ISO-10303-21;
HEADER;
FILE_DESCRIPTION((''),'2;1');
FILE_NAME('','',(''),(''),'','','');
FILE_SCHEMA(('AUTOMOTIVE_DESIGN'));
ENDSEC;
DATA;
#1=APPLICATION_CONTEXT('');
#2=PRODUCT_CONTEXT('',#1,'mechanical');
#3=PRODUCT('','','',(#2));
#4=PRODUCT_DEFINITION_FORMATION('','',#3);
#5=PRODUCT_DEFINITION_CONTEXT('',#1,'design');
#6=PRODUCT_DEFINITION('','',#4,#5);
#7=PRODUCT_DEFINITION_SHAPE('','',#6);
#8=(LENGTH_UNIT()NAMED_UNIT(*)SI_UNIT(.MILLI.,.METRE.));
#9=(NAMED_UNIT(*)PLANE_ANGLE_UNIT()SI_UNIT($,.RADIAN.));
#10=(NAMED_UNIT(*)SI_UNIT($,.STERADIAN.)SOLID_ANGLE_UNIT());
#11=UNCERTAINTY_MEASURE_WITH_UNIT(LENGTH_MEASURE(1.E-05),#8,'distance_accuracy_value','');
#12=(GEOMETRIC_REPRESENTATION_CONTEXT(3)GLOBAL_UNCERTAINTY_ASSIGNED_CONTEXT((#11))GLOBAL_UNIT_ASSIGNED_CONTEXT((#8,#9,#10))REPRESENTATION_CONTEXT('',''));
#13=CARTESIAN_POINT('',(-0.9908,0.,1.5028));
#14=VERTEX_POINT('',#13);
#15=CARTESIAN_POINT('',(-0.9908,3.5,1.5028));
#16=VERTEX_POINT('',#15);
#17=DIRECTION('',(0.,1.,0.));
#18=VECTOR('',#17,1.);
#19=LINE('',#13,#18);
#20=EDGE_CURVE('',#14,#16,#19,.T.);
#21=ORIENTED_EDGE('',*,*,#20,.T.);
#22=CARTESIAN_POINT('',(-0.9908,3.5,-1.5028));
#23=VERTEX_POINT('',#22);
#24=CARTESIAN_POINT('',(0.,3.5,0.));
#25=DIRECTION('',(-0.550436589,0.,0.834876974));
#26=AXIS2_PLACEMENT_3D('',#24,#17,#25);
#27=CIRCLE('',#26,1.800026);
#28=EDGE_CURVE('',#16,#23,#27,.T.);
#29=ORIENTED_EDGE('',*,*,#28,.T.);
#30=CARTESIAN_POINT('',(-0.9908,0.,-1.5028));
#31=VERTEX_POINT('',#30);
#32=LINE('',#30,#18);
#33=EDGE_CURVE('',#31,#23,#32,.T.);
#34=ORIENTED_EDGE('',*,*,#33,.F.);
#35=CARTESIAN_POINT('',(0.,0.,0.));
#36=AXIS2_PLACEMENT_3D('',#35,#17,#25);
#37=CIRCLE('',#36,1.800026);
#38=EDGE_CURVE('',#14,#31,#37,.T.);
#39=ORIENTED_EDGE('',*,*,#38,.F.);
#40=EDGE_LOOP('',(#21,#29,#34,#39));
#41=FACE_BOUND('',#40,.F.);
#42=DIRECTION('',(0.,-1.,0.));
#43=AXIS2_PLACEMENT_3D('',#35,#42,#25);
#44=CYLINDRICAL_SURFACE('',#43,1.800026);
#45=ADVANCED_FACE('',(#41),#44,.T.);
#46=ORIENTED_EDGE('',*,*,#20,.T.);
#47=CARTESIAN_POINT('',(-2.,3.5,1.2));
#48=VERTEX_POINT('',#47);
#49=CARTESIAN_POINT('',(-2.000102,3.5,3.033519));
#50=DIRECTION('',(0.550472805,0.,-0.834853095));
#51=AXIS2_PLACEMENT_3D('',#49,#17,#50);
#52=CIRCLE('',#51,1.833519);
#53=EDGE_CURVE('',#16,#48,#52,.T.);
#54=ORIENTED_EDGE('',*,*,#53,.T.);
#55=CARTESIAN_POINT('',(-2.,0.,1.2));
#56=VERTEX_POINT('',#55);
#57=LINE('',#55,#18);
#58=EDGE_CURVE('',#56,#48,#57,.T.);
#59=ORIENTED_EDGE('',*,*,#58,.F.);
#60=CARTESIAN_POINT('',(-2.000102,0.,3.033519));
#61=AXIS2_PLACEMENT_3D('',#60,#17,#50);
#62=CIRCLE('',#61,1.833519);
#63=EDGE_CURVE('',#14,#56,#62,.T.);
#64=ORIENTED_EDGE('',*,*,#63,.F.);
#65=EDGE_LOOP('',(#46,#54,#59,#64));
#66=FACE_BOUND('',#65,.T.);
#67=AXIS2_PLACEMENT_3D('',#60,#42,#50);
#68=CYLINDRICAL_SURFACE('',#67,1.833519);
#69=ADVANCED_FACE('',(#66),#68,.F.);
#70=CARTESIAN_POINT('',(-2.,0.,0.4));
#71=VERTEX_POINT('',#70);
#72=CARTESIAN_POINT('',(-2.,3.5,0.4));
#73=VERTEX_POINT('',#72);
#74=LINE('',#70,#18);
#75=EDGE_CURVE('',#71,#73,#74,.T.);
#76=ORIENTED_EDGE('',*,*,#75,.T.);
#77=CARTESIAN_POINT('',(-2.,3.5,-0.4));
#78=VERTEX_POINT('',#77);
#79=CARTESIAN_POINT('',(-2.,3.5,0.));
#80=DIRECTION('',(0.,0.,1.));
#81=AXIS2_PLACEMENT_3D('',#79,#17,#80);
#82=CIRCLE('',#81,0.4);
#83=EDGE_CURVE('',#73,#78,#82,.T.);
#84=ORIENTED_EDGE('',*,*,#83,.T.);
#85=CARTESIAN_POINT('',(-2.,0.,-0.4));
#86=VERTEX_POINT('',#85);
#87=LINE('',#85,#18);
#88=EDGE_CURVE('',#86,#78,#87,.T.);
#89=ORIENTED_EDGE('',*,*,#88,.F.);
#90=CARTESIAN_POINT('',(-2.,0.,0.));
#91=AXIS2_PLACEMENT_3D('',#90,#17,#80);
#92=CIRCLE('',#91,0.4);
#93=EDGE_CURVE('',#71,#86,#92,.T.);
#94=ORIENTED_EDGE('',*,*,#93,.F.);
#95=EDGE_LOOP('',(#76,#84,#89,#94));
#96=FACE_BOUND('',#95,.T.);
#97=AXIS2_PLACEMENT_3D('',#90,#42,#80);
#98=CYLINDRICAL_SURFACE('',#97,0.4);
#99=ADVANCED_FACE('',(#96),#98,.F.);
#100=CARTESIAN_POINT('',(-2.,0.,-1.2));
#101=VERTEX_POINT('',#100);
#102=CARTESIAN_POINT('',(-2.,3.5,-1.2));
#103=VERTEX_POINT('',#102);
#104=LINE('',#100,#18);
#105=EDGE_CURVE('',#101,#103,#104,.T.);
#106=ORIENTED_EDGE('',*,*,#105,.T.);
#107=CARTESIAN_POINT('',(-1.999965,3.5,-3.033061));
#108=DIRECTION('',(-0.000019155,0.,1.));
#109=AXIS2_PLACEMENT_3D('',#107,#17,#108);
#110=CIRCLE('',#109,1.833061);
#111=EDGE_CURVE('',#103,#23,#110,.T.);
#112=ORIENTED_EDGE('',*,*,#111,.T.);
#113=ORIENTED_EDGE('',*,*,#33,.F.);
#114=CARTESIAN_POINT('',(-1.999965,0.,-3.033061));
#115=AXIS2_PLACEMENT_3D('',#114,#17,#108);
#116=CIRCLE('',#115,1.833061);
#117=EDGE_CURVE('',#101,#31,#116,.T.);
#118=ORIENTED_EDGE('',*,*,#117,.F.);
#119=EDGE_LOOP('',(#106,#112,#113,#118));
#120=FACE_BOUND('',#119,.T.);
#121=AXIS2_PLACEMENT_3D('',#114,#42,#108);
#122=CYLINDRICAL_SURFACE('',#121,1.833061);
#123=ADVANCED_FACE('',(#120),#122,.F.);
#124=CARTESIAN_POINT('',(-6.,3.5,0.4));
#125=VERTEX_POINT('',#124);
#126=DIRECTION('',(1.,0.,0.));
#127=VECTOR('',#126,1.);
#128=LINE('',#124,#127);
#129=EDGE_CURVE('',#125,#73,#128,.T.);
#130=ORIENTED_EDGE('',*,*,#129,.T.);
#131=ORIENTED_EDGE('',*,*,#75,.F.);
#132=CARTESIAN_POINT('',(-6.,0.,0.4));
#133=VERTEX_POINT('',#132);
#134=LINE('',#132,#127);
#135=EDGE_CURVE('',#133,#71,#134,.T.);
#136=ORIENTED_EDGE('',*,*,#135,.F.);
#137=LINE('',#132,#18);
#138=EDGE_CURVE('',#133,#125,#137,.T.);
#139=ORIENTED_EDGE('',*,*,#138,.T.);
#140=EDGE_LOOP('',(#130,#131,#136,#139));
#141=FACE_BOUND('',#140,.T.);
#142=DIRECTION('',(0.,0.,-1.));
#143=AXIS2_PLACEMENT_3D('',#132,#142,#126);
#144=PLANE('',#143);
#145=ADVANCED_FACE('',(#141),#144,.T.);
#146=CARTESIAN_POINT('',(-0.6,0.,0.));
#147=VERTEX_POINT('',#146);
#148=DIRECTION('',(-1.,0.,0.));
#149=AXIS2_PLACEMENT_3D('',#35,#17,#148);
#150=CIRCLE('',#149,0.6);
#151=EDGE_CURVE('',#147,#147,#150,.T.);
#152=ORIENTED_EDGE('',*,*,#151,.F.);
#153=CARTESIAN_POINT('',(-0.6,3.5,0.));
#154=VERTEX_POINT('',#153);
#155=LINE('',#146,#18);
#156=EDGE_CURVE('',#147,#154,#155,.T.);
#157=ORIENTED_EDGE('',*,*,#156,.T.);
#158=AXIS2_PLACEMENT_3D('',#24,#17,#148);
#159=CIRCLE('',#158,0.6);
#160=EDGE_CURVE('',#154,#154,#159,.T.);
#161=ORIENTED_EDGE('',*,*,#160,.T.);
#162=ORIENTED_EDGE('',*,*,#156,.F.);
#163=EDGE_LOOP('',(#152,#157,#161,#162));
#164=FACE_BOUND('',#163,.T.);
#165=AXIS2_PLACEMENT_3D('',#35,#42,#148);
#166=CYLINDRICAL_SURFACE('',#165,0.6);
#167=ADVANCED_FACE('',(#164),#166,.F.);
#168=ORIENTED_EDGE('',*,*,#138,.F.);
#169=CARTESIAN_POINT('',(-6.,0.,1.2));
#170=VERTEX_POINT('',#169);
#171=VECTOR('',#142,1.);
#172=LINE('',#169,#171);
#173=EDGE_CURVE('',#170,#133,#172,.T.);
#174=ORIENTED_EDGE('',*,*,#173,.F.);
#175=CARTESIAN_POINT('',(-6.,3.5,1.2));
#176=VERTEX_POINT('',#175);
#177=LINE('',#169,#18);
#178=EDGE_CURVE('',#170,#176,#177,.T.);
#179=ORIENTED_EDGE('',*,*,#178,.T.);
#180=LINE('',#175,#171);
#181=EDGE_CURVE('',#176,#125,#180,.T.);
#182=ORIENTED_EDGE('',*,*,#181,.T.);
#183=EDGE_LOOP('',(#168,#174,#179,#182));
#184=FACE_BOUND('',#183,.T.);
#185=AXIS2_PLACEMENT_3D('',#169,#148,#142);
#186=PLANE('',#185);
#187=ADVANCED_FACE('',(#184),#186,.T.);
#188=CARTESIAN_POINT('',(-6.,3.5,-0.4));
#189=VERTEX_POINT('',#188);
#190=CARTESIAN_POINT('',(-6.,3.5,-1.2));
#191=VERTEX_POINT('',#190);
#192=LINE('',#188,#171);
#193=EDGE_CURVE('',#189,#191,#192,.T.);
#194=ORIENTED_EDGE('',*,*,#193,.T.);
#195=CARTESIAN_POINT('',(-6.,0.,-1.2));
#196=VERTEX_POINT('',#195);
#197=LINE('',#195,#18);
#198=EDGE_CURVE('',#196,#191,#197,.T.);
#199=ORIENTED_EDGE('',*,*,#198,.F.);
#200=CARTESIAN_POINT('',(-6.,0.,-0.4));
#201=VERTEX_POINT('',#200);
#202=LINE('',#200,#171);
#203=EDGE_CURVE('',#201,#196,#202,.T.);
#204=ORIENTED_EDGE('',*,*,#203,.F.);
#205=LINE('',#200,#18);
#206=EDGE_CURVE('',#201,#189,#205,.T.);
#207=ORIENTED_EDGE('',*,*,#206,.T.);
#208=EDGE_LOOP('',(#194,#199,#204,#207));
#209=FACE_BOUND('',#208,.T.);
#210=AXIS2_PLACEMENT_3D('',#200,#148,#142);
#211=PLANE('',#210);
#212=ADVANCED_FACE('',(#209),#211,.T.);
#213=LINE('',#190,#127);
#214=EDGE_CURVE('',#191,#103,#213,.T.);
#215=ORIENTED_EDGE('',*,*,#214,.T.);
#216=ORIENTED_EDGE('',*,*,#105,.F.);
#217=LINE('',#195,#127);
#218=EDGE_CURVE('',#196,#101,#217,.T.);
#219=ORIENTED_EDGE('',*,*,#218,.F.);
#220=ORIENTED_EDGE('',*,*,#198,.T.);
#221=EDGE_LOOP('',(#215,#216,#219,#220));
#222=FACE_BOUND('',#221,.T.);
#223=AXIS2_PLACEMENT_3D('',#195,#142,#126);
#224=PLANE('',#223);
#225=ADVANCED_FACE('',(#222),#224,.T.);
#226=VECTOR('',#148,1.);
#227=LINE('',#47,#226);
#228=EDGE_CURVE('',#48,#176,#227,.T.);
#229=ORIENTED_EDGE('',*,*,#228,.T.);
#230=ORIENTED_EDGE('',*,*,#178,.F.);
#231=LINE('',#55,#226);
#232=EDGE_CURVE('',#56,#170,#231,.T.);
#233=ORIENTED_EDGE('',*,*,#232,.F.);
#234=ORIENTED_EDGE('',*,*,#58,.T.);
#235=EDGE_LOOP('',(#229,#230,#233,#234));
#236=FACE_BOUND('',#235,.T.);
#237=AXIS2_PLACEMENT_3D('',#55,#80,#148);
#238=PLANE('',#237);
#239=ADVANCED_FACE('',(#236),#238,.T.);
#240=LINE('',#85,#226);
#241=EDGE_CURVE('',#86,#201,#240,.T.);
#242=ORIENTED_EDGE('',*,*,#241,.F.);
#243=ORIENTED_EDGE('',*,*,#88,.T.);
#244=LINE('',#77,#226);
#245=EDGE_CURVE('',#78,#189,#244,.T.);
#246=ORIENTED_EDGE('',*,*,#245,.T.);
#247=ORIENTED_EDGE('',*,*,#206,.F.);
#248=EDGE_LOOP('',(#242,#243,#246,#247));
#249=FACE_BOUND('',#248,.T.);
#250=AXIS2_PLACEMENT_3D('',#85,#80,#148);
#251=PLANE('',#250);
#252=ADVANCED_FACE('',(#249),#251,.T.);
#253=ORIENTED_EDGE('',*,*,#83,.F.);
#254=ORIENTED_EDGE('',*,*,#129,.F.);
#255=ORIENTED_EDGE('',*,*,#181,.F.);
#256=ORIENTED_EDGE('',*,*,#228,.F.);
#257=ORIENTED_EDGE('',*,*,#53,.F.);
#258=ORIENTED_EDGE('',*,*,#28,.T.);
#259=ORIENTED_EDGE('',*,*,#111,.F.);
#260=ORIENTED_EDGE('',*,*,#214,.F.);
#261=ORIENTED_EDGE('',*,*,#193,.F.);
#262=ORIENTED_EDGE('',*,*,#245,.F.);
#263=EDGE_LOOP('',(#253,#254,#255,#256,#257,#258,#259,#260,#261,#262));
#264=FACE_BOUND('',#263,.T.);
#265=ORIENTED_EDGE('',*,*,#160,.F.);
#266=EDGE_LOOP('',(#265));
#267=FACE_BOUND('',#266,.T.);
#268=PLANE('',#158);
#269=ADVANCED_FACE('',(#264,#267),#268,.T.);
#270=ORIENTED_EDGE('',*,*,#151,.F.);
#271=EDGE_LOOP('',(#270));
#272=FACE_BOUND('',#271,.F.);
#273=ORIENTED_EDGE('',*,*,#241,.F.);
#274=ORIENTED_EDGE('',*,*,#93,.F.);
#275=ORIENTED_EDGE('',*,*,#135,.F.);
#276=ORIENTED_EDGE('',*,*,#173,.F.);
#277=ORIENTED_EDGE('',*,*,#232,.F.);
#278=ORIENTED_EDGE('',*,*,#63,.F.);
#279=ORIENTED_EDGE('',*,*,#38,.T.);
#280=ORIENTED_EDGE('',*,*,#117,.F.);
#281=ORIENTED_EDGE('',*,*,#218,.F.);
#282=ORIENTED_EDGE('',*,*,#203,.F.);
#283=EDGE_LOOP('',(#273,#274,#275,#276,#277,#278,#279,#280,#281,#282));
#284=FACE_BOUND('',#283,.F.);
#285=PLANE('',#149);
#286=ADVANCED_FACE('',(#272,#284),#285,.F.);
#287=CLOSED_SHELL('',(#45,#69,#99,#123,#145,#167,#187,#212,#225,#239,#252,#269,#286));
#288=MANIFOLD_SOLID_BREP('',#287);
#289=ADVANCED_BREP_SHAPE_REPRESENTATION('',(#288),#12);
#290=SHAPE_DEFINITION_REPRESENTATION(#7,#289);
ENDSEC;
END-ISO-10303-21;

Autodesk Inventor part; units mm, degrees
ref_plane "YZ Plane" through (0, 0, 0) normal (1, 0, 0) x (0, 1, 0)
ref_plane "XZ Plane" through (0, 0, 0) normal (0, 1, 0) x (-1, 0, 0)
ref_plane "XY Plane" through (0, 0, 0) normal (0, 0, 1) x (1, 0, 0)
sketch "Sketch2" plane through (0, 0, 0) normal (0, 1, 0) x (-1, 0, 0)
  circle A0 centre (0, 0) radius 0.6
  arc A1 (0.9908, 1.5028) -> (0.9908, -1.5028) centre (0, 0) ccw
  arc A2 (0.9908, 1.5028) -> (2, 1.2) centre (2, 3.0333) ccw
  arc A3 (2, -1.2) -> (0.9908, -1.5028) centre (2, -3.0333) ccw
  line L0 (2, 1.2) -> (6, 1.2)
  line L1 (6, 1.2) -> (6, 0.4)
  line L2 (6, 0.4) -> (2, 0.4)
  arc A4 (2, 0.4) -> (2, -0.4) centre (2, 0) ccw
  line L3 (2, -0.4) -> (6, -0.4)
  line L4 (6, -0.4) -> (6, -1.2)
  line L5 (6, -1.2) -> (2, -1.2)
  dimension "d7" = 1.2
  dimension "d8" = 1.2
  dimension "d9" = 0.8
  dimension "d10" = 0.8
  dimension "d11" = 6
  dimension "d12" = 2
extrude "Extrusion2" add sketch "Sketch2" along normal blind 3.5
sketch "Sketch1" plane through (0, 0, 0) normal (0, 1, 0) x (-1, 0, 0)
  line L0 (0, -2) -> (0, 2)
  arc A0 (0, 2) -> (3, 1) centre (3, 6) ccw
  arc A1 (3, -1) -> (0, -2) centre (3, -6) ccw
  line L1 (0.8, 0.6334) -> (0.8, -0.6334)
  arc A2 (0.8, 0.6334) -> (3, 0.2) centre (3, 6) ccw
  arc A3 (3, -0.2) -> (0.8, -0.6334) centre (3, -6) ccw
  line L2 (3, 0.2) -> (3, 1)
  line L3 (3, -0.2) -> (3, -1)
  point P0 (0, 0)
  point P1 (0, 0)
  point P2 (0.8, 0)
  dimension "d0" = 4
  dimension "d1" = 0.8
  dimension "d2" = 0.8
  dimension "d3" = 0.4
  dimension "d4" = 3
properties part number "aperature clip"
